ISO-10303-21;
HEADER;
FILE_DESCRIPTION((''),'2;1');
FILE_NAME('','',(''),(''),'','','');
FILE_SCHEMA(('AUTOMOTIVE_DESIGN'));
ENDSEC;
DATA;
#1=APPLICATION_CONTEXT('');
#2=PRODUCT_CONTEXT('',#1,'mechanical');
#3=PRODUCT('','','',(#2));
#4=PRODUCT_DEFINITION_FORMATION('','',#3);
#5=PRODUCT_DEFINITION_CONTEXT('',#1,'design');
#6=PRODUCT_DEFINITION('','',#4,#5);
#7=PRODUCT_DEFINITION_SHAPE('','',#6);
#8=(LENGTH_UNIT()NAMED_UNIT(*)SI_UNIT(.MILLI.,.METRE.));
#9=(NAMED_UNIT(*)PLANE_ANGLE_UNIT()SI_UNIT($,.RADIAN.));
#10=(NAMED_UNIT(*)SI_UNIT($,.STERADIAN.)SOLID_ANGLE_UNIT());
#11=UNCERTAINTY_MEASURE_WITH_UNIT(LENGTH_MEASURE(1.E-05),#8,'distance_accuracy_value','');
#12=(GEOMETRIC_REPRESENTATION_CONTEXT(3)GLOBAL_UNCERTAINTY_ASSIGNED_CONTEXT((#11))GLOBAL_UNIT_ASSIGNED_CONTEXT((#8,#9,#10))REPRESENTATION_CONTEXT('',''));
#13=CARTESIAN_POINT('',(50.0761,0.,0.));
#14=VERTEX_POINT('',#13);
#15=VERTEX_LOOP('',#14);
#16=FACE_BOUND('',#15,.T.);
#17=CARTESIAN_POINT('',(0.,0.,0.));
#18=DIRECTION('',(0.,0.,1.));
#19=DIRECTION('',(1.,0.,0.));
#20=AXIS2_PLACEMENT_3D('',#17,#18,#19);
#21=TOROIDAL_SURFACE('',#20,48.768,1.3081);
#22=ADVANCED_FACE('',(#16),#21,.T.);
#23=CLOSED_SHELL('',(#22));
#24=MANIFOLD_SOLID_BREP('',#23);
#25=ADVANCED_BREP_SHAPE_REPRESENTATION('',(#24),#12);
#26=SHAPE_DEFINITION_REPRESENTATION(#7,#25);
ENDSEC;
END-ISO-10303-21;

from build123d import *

# Parameters (mm, degrees)
SKETCH1_R = 1.3081


with BuildPart() as part:
    # Sketch1 → Revolve1 (revolve)
    with BuildSketch(Plane(origin=(0, 0, 0), x_dir=(0, -1, 0), z_dir=(1, 0, 0))):
        with Locations((48.768, 0)):
            Circle(SKETCH1_R)
    revolve(axis=Axis((0, 0, 1.3081), (0, 0, -1)))


solid = part.part
